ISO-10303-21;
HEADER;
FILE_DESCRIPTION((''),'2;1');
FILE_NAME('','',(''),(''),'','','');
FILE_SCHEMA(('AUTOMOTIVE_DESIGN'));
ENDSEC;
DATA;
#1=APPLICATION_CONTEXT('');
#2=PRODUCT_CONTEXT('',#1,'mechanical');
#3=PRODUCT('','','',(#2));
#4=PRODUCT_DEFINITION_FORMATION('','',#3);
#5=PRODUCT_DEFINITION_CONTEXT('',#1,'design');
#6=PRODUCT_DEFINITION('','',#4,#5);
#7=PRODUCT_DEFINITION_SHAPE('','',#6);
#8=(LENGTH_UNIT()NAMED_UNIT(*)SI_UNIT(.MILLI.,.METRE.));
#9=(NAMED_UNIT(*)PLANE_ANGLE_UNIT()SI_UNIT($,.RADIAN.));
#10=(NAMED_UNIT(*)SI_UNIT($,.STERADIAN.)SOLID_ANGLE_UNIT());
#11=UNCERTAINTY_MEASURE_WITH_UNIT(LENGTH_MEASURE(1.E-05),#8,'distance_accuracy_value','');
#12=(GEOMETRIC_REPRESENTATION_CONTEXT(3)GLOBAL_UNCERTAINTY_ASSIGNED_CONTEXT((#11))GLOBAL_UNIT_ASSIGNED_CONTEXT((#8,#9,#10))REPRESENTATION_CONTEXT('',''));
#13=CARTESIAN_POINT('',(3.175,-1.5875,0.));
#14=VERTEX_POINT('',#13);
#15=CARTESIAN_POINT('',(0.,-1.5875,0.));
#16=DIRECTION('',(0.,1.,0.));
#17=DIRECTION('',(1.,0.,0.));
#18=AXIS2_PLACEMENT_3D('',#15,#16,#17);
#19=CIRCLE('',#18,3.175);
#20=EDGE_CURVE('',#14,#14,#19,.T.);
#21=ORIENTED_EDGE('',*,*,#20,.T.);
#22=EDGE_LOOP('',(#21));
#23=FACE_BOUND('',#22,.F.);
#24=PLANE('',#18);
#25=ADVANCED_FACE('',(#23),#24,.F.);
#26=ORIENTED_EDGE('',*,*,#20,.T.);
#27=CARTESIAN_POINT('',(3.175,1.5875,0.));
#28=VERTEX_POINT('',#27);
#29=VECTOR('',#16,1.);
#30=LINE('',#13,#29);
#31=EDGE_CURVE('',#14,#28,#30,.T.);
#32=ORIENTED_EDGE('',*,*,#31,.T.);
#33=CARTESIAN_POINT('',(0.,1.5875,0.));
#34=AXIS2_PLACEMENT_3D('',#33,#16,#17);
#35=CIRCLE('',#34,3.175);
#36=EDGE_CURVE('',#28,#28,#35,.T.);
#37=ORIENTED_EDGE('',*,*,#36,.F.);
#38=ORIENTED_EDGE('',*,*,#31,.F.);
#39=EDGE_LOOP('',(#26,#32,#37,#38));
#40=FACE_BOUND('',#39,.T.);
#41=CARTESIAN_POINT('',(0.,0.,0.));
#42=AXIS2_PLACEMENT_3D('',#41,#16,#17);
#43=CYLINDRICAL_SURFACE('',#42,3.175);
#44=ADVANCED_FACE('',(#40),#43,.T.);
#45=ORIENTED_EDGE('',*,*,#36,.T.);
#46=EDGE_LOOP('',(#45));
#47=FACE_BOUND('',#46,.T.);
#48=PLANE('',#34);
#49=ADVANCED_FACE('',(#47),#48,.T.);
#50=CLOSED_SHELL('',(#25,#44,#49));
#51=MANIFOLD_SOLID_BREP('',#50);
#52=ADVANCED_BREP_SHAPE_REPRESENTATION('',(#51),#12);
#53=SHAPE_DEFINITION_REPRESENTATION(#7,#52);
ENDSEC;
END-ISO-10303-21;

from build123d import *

# Parameters (mm, degrees)
SKETCH1_R           = 3.175
BOSS_EXTRUDE1_DEPTH = 1.5875


with BuildPart() as part:
    # Sketch1 → Boss-Extrude1 (new body, symmetric)
    with BuildSketch(Plane(origin=(0, 0, 0), x_dir=(1, 0, 0), z_dir=(0, 1, 0))):
        Circle(SKETCH1_R)
    extrude(amount=BOSS_EXTRUDE1_DEPTH, both=True)


solid = part.part
